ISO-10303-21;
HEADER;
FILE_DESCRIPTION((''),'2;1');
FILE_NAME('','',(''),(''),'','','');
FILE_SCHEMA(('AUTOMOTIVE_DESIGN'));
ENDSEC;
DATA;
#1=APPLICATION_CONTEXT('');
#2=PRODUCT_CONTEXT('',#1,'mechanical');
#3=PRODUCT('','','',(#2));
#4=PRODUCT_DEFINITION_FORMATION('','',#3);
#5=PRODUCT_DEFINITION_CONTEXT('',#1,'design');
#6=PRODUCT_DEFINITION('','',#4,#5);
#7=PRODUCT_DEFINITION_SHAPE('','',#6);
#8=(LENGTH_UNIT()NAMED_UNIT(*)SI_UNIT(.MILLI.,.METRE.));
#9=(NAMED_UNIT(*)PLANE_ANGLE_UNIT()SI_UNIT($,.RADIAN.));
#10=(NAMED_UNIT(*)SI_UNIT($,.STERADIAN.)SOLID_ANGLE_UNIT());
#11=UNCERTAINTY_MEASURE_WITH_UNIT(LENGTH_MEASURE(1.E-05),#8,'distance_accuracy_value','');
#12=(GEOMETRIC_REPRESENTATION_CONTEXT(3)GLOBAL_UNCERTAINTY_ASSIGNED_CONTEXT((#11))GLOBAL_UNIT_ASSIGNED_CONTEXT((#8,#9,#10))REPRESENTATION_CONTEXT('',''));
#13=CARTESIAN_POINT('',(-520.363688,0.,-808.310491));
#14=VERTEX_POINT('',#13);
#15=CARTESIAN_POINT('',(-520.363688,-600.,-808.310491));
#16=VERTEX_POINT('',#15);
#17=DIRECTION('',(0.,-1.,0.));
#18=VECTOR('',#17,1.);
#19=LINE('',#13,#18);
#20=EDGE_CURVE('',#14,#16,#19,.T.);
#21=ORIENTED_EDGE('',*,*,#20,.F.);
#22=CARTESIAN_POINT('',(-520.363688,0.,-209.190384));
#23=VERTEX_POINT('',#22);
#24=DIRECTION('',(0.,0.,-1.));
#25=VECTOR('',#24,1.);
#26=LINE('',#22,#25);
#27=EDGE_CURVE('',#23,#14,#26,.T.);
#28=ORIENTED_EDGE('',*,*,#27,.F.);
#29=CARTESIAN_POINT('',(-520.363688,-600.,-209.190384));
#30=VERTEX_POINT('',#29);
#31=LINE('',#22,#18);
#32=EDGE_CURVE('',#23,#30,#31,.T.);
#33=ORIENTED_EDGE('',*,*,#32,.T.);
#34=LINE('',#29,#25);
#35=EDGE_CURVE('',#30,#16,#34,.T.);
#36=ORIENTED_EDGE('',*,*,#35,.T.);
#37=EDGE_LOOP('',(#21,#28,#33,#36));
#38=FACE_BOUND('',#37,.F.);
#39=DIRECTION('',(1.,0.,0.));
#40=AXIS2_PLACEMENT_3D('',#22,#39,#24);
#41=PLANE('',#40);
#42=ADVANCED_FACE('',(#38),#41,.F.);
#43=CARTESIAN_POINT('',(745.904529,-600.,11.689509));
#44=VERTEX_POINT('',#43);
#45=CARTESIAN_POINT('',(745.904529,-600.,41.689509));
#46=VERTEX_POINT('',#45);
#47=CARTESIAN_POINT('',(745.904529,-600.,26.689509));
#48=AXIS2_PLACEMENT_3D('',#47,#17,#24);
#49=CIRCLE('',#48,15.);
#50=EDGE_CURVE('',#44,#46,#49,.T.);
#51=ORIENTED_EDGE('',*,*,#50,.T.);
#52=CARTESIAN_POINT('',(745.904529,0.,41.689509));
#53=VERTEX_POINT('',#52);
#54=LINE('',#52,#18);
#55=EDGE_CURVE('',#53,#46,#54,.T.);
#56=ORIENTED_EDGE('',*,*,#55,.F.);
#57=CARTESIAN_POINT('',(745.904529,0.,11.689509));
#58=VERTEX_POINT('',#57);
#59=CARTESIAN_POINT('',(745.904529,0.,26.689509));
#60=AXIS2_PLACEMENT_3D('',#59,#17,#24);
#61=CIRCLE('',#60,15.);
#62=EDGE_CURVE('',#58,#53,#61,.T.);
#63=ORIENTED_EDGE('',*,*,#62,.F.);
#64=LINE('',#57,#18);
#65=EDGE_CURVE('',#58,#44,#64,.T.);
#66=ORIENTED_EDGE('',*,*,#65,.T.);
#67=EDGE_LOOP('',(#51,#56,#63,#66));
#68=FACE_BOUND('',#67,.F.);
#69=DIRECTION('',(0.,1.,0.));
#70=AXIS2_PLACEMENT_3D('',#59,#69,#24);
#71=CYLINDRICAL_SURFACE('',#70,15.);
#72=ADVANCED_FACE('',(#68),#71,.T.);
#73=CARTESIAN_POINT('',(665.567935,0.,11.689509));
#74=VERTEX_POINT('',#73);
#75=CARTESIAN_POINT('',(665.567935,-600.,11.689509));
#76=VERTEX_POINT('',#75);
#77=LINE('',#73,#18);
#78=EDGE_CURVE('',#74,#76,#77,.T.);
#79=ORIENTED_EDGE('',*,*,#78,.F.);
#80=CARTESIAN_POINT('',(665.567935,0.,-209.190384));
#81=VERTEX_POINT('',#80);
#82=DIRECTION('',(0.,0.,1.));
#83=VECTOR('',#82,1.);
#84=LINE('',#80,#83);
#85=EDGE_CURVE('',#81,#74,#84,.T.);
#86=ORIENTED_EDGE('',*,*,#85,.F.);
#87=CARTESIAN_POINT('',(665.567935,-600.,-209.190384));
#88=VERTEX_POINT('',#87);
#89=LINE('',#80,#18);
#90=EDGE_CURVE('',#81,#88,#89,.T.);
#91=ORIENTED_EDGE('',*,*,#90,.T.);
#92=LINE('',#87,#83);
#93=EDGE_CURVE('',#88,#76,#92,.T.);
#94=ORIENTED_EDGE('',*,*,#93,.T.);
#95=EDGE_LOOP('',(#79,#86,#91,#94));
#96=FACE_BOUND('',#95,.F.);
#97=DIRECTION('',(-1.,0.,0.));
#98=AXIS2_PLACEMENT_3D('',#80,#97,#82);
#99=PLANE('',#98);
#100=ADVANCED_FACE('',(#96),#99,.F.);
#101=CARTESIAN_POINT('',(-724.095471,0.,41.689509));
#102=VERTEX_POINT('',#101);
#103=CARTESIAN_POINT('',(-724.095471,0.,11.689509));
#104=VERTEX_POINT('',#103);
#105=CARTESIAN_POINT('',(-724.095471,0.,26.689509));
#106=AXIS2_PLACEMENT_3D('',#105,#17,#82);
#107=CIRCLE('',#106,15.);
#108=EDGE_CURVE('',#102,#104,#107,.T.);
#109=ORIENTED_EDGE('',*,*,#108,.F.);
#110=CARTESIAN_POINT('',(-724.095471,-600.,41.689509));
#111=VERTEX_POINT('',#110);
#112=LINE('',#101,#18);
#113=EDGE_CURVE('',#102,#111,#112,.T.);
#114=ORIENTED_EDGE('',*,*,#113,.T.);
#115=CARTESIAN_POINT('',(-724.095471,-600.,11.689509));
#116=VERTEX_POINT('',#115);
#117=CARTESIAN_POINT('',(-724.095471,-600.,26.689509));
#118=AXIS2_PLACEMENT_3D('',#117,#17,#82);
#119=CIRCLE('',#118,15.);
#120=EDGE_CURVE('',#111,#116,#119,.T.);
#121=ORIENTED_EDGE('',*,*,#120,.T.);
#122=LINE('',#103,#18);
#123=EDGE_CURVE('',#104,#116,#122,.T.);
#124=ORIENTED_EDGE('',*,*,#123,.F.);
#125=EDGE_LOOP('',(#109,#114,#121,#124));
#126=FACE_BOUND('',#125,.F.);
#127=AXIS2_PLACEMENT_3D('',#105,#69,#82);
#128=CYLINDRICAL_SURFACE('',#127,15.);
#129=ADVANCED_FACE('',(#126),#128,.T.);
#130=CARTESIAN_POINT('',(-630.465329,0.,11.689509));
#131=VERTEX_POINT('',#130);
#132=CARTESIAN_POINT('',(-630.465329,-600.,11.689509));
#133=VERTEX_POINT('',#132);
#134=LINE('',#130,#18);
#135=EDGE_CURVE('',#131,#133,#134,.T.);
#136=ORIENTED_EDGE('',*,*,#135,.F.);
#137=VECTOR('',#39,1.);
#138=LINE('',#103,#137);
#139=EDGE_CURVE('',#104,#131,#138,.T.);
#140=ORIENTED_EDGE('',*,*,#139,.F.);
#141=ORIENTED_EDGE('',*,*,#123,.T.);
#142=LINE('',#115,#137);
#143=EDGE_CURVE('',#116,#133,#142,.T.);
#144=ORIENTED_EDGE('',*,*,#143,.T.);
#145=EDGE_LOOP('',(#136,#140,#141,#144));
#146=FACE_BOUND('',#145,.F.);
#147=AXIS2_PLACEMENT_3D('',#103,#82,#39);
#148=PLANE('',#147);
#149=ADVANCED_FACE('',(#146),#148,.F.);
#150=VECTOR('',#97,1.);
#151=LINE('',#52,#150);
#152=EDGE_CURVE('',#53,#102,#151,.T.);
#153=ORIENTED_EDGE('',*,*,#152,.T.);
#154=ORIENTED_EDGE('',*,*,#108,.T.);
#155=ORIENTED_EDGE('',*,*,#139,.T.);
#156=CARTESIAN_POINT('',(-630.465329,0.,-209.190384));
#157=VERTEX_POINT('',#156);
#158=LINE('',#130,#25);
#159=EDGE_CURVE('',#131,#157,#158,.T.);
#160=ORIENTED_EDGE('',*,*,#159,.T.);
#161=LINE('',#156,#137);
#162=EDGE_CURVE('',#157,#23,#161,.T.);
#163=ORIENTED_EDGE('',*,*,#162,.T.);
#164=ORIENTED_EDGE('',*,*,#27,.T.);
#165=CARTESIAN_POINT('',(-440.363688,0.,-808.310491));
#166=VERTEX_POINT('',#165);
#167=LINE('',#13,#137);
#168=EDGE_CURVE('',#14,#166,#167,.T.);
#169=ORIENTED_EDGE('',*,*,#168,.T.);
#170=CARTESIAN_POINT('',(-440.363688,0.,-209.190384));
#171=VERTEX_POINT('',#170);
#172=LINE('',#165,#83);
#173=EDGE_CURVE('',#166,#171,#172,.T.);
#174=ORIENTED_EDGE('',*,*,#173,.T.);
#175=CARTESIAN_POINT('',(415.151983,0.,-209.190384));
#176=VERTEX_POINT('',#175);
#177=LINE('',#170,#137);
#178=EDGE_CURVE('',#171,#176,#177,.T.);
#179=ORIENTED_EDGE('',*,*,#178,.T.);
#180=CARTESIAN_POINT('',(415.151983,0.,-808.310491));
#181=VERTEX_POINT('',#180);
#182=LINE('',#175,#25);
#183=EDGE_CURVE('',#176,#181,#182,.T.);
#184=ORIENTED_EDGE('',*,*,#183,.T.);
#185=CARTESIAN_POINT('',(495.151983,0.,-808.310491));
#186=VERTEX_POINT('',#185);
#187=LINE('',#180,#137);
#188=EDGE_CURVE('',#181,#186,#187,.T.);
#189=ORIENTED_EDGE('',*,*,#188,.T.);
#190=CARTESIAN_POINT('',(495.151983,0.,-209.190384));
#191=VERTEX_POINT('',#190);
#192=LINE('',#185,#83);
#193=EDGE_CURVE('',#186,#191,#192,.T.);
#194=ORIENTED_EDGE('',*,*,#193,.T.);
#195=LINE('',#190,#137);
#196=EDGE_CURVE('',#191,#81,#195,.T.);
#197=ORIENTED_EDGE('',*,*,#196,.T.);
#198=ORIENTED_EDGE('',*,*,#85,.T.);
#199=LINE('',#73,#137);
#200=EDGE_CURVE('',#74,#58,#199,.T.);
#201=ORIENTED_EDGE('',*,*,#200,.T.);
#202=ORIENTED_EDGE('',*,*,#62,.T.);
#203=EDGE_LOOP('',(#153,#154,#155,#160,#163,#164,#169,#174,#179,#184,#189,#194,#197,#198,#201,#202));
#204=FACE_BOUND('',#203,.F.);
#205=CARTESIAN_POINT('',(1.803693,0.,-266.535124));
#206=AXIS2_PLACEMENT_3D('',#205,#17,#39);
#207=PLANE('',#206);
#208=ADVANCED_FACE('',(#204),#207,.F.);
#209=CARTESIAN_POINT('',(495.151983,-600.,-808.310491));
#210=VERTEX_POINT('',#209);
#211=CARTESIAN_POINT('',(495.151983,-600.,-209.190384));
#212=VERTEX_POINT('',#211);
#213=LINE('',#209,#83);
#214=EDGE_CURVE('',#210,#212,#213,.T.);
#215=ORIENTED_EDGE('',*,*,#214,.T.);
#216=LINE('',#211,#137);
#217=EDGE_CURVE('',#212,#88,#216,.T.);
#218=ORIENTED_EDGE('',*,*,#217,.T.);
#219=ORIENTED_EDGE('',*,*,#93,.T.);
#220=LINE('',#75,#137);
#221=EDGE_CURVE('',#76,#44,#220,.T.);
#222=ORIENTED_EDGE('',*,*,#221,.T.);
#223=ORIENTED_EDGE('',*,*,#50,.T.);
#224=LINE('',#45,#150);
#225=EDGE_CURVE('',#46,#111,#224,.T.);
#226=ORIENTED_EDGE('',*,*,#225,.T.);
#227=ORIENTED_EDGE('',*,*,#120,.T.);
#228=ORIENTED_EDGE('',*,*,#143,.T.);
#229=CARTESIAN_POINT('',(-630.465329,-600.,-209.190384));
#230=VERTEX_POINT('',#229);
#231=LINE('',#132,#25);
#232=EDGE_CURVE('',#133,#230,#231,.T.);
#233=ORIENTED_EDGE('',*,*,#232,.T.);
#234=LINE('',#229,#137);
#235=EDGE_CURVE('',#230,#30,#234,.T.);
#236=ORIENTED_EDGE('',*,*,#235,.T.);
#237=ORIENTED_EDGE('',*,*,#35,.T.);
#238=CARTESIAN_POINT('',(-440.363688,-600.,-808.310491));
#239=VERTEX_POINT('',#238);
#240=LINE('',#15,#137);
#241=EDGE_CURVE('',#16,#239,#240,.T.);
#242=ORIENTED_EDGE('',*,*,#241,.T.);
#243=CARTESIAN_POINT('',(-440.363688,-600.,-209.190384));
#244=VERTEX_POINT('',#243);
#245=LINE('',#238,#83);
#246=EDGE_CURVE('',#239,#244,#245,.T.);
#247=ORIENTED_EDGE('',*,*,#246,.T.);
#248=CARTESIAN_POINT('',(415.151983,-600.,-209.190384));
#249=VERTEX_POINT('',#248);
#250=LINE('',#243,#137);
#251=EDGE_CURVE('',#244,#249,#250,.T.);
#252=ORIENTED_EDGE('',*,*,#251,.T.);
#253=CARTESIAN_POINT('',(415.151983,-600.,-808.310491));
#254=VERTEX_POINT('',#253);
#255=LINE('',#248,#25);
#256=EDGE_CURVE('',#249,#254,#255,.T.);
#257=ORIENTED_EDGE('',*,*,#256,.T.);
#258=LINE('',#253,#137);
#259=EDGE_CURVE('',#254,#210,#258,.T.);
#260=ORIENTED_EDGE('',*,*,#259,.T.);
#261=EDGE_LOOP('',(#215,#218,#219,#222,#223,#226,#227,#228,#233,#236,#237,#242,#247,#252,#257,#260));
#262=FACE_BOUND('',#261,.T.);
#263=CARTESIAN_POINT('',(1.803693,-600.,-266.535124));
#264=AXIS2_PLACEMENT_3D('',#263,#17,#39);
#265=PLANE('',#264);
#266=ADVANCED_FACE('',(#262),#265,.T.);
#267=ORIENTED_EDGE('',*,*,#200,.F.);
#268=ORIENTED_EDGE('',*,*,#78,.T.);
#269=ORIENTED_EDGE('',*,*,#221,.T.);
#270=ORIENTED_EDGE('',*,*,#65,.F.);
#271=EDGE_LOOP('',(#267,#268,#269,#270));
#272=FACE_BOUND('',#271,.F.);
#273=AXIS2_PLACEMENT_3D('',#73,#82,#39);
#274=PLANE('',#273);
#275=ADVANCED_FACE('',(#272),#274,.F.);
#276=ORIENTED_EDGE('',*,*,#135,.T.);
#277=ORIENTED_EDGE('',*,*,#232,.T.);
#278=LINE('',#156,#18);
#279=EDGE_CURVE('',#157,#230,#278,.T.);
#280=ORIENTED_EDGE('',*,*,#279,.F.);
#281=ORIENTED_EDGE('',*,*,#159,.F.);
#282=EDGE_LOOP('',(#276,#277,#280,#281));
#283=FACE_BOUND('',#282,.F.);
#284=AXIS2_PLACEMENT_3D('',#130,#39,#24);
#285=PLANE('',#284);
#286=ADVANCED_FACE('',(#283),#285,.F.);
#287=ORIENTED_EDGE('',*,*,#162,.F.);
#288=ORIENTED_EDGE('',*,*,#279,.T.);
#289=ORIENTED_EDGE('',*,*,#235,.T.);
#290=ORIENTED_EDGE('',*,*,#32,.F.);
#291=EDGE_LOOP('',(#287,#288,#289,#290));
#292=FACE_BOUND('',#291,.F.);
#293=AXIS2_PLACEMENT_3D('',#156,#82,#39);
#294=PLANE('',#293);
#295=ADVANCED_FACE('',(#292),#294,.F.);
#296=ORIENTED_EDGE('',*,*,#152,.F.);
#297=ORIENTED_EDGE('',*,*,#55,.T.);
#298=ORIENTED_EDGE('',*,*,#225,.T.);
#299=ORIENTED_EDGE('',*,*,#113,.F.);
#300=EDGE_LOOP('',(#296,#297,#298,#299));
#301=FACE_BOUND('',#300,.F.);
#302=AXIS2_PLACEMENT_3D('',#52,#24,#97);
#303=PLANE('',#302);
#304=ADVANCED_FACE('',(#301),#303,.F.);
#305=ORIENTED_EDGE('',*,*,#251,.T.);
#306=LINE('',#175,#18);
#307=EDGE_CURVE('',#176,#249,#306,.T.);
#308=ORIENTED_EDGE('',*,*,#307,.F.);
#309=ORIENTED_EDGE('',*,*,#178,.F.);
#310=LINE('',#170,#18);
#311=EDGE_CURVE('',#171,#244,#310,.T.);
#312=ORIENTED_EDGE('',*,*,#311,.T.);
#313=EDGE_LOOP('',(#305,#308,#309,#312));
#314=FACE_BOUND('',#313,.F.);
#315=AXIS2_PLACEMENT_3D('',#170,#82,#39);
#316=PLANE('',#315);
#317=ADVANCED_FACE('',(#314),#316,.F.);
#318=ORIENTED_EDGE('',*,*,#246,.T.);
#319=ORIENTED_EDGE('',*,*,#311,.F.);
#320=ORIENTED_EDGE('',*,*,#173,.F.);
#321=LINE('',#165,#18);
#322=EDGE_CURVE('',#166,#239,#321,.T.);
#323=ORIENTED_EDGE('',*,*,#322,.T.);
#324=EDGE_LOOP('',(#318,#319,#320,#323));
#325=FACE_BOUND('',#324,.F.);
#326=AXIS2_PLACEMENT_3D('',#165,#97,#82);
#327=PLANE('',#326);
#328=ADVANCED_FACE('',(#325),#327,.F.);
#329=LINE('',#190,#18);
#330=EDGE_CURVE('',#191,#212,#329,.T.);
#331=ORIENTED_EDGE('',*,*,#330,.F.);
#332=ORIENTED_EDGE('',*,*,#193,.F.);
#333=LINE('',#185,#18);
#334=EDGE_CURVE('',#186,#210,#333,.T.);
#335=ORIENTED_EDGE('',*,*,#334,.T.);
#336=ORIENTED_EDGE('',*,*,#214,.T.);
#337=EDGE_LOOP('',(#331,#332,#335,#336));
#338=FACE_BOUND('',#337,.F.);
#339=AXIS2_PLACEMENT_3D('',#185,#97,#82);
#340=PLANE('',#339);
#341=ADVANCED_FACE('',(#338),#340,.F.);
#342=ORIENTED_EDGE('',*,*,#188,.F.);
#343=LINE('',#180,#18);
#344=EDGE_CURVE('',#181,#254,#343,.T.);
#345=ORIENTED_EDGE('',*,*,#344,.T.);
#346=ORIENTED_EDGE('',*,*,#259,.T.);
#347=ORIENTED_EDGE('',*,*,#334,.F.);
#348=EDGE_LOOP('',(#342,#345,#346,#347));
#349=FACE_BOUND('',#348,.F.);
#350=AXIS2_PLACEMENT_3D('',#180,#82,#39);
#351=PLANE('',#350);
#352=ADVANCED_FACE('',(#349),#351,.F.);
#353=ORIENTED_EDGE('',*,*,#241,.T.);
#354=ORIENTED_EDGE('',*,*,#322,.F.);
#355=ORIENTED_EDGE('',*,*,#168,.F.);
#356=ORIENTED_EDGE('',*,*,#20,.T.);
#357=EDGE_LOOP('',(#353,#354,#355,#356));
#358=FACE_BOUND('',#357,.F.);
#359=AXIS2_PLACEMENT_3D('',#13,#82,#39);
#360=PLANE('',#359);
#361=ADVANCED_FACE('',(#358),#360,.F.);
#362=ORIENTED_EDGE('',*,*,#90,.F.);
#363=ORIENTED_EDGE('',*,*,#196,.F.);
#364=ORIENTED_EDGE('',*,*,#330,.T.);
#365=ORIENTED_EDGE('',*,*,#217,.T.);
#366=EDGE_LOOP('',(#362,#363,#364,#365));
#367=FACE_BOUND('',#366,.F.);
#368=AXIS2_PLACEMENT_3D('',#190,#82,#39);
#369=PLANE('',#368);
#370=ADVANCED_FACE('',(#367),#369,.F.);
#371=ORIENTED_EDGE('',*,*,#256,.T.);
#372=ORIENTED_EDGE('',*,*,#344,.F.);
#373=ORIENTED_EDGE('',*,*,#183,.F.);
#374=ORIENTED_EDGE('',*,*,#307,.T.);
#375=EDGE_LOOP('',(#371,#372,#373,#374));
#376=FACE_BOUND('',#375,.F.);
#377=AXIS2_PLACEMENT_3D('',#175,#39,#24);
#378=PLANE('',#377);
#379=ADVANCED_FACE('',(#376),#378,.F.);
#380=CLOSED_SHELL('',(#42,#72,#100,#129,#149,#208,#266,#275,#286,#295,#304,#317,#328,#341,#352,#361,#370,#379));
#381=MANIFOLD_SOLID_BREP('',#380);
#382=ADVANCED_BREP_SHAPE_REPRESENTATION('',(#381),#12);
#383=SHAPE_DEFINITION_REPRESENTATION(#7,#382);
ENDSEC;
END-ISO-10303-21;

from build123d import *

# Parameters (mm, degrees)
F1_DEPTH = 600


with BuildPart() as f1:
    # F0 (on Front) → F1 (new body)
    with BuildSketch(Plane.XZ):
        with BuildLine():
            Line((745.904529, 41.689509), (-724.095471, 41.689509))
            ThreePointArc((-724.095471, 41.689509), (-739.095471, 26.689509), (-724.095471, 11.689509))
            Line((-724.095471, 11.689509), (-630.465329, 11.689509))
            Line((-630.465329, 11.689509), (-630.465329, -209.190384))
            Line((-630.465329, -209.190384), (-520.363688, -209.190384))
            Line((-520.363688, -209.190384), (-520.363688, -808.310491))
            Line((-520.363688, -808.310491), (-440.363688, -808.310491))
            Line((-440.363688, -808.310491), (-440.363688, -209.190384))
            Line((-440.363688, -209.190384), (415.151983, -209.190384))
            Line((415.151983, -209.190384), (415.151983, -808.310491))
            Line((415.151983, -808.310491), (495.151983, -808.310491))
            Line((495.151983, -808.310491), (495.151983, -209.190384))
            Line((495.151983, -209.190384), (665.567935, -209.190384))
            Line((665.567935, -209.190384), (665.567935, 11.689509))
            Line((665.567935, 11.689509), (745.904529, 11.689509))
            ThreePointArc((745.904529, 11.689509), (760.904529, 26.689509), (745.904529, 41.689509))
        make_face()
    extrude(amount=F1_DEPTH)


solid = f1.part
